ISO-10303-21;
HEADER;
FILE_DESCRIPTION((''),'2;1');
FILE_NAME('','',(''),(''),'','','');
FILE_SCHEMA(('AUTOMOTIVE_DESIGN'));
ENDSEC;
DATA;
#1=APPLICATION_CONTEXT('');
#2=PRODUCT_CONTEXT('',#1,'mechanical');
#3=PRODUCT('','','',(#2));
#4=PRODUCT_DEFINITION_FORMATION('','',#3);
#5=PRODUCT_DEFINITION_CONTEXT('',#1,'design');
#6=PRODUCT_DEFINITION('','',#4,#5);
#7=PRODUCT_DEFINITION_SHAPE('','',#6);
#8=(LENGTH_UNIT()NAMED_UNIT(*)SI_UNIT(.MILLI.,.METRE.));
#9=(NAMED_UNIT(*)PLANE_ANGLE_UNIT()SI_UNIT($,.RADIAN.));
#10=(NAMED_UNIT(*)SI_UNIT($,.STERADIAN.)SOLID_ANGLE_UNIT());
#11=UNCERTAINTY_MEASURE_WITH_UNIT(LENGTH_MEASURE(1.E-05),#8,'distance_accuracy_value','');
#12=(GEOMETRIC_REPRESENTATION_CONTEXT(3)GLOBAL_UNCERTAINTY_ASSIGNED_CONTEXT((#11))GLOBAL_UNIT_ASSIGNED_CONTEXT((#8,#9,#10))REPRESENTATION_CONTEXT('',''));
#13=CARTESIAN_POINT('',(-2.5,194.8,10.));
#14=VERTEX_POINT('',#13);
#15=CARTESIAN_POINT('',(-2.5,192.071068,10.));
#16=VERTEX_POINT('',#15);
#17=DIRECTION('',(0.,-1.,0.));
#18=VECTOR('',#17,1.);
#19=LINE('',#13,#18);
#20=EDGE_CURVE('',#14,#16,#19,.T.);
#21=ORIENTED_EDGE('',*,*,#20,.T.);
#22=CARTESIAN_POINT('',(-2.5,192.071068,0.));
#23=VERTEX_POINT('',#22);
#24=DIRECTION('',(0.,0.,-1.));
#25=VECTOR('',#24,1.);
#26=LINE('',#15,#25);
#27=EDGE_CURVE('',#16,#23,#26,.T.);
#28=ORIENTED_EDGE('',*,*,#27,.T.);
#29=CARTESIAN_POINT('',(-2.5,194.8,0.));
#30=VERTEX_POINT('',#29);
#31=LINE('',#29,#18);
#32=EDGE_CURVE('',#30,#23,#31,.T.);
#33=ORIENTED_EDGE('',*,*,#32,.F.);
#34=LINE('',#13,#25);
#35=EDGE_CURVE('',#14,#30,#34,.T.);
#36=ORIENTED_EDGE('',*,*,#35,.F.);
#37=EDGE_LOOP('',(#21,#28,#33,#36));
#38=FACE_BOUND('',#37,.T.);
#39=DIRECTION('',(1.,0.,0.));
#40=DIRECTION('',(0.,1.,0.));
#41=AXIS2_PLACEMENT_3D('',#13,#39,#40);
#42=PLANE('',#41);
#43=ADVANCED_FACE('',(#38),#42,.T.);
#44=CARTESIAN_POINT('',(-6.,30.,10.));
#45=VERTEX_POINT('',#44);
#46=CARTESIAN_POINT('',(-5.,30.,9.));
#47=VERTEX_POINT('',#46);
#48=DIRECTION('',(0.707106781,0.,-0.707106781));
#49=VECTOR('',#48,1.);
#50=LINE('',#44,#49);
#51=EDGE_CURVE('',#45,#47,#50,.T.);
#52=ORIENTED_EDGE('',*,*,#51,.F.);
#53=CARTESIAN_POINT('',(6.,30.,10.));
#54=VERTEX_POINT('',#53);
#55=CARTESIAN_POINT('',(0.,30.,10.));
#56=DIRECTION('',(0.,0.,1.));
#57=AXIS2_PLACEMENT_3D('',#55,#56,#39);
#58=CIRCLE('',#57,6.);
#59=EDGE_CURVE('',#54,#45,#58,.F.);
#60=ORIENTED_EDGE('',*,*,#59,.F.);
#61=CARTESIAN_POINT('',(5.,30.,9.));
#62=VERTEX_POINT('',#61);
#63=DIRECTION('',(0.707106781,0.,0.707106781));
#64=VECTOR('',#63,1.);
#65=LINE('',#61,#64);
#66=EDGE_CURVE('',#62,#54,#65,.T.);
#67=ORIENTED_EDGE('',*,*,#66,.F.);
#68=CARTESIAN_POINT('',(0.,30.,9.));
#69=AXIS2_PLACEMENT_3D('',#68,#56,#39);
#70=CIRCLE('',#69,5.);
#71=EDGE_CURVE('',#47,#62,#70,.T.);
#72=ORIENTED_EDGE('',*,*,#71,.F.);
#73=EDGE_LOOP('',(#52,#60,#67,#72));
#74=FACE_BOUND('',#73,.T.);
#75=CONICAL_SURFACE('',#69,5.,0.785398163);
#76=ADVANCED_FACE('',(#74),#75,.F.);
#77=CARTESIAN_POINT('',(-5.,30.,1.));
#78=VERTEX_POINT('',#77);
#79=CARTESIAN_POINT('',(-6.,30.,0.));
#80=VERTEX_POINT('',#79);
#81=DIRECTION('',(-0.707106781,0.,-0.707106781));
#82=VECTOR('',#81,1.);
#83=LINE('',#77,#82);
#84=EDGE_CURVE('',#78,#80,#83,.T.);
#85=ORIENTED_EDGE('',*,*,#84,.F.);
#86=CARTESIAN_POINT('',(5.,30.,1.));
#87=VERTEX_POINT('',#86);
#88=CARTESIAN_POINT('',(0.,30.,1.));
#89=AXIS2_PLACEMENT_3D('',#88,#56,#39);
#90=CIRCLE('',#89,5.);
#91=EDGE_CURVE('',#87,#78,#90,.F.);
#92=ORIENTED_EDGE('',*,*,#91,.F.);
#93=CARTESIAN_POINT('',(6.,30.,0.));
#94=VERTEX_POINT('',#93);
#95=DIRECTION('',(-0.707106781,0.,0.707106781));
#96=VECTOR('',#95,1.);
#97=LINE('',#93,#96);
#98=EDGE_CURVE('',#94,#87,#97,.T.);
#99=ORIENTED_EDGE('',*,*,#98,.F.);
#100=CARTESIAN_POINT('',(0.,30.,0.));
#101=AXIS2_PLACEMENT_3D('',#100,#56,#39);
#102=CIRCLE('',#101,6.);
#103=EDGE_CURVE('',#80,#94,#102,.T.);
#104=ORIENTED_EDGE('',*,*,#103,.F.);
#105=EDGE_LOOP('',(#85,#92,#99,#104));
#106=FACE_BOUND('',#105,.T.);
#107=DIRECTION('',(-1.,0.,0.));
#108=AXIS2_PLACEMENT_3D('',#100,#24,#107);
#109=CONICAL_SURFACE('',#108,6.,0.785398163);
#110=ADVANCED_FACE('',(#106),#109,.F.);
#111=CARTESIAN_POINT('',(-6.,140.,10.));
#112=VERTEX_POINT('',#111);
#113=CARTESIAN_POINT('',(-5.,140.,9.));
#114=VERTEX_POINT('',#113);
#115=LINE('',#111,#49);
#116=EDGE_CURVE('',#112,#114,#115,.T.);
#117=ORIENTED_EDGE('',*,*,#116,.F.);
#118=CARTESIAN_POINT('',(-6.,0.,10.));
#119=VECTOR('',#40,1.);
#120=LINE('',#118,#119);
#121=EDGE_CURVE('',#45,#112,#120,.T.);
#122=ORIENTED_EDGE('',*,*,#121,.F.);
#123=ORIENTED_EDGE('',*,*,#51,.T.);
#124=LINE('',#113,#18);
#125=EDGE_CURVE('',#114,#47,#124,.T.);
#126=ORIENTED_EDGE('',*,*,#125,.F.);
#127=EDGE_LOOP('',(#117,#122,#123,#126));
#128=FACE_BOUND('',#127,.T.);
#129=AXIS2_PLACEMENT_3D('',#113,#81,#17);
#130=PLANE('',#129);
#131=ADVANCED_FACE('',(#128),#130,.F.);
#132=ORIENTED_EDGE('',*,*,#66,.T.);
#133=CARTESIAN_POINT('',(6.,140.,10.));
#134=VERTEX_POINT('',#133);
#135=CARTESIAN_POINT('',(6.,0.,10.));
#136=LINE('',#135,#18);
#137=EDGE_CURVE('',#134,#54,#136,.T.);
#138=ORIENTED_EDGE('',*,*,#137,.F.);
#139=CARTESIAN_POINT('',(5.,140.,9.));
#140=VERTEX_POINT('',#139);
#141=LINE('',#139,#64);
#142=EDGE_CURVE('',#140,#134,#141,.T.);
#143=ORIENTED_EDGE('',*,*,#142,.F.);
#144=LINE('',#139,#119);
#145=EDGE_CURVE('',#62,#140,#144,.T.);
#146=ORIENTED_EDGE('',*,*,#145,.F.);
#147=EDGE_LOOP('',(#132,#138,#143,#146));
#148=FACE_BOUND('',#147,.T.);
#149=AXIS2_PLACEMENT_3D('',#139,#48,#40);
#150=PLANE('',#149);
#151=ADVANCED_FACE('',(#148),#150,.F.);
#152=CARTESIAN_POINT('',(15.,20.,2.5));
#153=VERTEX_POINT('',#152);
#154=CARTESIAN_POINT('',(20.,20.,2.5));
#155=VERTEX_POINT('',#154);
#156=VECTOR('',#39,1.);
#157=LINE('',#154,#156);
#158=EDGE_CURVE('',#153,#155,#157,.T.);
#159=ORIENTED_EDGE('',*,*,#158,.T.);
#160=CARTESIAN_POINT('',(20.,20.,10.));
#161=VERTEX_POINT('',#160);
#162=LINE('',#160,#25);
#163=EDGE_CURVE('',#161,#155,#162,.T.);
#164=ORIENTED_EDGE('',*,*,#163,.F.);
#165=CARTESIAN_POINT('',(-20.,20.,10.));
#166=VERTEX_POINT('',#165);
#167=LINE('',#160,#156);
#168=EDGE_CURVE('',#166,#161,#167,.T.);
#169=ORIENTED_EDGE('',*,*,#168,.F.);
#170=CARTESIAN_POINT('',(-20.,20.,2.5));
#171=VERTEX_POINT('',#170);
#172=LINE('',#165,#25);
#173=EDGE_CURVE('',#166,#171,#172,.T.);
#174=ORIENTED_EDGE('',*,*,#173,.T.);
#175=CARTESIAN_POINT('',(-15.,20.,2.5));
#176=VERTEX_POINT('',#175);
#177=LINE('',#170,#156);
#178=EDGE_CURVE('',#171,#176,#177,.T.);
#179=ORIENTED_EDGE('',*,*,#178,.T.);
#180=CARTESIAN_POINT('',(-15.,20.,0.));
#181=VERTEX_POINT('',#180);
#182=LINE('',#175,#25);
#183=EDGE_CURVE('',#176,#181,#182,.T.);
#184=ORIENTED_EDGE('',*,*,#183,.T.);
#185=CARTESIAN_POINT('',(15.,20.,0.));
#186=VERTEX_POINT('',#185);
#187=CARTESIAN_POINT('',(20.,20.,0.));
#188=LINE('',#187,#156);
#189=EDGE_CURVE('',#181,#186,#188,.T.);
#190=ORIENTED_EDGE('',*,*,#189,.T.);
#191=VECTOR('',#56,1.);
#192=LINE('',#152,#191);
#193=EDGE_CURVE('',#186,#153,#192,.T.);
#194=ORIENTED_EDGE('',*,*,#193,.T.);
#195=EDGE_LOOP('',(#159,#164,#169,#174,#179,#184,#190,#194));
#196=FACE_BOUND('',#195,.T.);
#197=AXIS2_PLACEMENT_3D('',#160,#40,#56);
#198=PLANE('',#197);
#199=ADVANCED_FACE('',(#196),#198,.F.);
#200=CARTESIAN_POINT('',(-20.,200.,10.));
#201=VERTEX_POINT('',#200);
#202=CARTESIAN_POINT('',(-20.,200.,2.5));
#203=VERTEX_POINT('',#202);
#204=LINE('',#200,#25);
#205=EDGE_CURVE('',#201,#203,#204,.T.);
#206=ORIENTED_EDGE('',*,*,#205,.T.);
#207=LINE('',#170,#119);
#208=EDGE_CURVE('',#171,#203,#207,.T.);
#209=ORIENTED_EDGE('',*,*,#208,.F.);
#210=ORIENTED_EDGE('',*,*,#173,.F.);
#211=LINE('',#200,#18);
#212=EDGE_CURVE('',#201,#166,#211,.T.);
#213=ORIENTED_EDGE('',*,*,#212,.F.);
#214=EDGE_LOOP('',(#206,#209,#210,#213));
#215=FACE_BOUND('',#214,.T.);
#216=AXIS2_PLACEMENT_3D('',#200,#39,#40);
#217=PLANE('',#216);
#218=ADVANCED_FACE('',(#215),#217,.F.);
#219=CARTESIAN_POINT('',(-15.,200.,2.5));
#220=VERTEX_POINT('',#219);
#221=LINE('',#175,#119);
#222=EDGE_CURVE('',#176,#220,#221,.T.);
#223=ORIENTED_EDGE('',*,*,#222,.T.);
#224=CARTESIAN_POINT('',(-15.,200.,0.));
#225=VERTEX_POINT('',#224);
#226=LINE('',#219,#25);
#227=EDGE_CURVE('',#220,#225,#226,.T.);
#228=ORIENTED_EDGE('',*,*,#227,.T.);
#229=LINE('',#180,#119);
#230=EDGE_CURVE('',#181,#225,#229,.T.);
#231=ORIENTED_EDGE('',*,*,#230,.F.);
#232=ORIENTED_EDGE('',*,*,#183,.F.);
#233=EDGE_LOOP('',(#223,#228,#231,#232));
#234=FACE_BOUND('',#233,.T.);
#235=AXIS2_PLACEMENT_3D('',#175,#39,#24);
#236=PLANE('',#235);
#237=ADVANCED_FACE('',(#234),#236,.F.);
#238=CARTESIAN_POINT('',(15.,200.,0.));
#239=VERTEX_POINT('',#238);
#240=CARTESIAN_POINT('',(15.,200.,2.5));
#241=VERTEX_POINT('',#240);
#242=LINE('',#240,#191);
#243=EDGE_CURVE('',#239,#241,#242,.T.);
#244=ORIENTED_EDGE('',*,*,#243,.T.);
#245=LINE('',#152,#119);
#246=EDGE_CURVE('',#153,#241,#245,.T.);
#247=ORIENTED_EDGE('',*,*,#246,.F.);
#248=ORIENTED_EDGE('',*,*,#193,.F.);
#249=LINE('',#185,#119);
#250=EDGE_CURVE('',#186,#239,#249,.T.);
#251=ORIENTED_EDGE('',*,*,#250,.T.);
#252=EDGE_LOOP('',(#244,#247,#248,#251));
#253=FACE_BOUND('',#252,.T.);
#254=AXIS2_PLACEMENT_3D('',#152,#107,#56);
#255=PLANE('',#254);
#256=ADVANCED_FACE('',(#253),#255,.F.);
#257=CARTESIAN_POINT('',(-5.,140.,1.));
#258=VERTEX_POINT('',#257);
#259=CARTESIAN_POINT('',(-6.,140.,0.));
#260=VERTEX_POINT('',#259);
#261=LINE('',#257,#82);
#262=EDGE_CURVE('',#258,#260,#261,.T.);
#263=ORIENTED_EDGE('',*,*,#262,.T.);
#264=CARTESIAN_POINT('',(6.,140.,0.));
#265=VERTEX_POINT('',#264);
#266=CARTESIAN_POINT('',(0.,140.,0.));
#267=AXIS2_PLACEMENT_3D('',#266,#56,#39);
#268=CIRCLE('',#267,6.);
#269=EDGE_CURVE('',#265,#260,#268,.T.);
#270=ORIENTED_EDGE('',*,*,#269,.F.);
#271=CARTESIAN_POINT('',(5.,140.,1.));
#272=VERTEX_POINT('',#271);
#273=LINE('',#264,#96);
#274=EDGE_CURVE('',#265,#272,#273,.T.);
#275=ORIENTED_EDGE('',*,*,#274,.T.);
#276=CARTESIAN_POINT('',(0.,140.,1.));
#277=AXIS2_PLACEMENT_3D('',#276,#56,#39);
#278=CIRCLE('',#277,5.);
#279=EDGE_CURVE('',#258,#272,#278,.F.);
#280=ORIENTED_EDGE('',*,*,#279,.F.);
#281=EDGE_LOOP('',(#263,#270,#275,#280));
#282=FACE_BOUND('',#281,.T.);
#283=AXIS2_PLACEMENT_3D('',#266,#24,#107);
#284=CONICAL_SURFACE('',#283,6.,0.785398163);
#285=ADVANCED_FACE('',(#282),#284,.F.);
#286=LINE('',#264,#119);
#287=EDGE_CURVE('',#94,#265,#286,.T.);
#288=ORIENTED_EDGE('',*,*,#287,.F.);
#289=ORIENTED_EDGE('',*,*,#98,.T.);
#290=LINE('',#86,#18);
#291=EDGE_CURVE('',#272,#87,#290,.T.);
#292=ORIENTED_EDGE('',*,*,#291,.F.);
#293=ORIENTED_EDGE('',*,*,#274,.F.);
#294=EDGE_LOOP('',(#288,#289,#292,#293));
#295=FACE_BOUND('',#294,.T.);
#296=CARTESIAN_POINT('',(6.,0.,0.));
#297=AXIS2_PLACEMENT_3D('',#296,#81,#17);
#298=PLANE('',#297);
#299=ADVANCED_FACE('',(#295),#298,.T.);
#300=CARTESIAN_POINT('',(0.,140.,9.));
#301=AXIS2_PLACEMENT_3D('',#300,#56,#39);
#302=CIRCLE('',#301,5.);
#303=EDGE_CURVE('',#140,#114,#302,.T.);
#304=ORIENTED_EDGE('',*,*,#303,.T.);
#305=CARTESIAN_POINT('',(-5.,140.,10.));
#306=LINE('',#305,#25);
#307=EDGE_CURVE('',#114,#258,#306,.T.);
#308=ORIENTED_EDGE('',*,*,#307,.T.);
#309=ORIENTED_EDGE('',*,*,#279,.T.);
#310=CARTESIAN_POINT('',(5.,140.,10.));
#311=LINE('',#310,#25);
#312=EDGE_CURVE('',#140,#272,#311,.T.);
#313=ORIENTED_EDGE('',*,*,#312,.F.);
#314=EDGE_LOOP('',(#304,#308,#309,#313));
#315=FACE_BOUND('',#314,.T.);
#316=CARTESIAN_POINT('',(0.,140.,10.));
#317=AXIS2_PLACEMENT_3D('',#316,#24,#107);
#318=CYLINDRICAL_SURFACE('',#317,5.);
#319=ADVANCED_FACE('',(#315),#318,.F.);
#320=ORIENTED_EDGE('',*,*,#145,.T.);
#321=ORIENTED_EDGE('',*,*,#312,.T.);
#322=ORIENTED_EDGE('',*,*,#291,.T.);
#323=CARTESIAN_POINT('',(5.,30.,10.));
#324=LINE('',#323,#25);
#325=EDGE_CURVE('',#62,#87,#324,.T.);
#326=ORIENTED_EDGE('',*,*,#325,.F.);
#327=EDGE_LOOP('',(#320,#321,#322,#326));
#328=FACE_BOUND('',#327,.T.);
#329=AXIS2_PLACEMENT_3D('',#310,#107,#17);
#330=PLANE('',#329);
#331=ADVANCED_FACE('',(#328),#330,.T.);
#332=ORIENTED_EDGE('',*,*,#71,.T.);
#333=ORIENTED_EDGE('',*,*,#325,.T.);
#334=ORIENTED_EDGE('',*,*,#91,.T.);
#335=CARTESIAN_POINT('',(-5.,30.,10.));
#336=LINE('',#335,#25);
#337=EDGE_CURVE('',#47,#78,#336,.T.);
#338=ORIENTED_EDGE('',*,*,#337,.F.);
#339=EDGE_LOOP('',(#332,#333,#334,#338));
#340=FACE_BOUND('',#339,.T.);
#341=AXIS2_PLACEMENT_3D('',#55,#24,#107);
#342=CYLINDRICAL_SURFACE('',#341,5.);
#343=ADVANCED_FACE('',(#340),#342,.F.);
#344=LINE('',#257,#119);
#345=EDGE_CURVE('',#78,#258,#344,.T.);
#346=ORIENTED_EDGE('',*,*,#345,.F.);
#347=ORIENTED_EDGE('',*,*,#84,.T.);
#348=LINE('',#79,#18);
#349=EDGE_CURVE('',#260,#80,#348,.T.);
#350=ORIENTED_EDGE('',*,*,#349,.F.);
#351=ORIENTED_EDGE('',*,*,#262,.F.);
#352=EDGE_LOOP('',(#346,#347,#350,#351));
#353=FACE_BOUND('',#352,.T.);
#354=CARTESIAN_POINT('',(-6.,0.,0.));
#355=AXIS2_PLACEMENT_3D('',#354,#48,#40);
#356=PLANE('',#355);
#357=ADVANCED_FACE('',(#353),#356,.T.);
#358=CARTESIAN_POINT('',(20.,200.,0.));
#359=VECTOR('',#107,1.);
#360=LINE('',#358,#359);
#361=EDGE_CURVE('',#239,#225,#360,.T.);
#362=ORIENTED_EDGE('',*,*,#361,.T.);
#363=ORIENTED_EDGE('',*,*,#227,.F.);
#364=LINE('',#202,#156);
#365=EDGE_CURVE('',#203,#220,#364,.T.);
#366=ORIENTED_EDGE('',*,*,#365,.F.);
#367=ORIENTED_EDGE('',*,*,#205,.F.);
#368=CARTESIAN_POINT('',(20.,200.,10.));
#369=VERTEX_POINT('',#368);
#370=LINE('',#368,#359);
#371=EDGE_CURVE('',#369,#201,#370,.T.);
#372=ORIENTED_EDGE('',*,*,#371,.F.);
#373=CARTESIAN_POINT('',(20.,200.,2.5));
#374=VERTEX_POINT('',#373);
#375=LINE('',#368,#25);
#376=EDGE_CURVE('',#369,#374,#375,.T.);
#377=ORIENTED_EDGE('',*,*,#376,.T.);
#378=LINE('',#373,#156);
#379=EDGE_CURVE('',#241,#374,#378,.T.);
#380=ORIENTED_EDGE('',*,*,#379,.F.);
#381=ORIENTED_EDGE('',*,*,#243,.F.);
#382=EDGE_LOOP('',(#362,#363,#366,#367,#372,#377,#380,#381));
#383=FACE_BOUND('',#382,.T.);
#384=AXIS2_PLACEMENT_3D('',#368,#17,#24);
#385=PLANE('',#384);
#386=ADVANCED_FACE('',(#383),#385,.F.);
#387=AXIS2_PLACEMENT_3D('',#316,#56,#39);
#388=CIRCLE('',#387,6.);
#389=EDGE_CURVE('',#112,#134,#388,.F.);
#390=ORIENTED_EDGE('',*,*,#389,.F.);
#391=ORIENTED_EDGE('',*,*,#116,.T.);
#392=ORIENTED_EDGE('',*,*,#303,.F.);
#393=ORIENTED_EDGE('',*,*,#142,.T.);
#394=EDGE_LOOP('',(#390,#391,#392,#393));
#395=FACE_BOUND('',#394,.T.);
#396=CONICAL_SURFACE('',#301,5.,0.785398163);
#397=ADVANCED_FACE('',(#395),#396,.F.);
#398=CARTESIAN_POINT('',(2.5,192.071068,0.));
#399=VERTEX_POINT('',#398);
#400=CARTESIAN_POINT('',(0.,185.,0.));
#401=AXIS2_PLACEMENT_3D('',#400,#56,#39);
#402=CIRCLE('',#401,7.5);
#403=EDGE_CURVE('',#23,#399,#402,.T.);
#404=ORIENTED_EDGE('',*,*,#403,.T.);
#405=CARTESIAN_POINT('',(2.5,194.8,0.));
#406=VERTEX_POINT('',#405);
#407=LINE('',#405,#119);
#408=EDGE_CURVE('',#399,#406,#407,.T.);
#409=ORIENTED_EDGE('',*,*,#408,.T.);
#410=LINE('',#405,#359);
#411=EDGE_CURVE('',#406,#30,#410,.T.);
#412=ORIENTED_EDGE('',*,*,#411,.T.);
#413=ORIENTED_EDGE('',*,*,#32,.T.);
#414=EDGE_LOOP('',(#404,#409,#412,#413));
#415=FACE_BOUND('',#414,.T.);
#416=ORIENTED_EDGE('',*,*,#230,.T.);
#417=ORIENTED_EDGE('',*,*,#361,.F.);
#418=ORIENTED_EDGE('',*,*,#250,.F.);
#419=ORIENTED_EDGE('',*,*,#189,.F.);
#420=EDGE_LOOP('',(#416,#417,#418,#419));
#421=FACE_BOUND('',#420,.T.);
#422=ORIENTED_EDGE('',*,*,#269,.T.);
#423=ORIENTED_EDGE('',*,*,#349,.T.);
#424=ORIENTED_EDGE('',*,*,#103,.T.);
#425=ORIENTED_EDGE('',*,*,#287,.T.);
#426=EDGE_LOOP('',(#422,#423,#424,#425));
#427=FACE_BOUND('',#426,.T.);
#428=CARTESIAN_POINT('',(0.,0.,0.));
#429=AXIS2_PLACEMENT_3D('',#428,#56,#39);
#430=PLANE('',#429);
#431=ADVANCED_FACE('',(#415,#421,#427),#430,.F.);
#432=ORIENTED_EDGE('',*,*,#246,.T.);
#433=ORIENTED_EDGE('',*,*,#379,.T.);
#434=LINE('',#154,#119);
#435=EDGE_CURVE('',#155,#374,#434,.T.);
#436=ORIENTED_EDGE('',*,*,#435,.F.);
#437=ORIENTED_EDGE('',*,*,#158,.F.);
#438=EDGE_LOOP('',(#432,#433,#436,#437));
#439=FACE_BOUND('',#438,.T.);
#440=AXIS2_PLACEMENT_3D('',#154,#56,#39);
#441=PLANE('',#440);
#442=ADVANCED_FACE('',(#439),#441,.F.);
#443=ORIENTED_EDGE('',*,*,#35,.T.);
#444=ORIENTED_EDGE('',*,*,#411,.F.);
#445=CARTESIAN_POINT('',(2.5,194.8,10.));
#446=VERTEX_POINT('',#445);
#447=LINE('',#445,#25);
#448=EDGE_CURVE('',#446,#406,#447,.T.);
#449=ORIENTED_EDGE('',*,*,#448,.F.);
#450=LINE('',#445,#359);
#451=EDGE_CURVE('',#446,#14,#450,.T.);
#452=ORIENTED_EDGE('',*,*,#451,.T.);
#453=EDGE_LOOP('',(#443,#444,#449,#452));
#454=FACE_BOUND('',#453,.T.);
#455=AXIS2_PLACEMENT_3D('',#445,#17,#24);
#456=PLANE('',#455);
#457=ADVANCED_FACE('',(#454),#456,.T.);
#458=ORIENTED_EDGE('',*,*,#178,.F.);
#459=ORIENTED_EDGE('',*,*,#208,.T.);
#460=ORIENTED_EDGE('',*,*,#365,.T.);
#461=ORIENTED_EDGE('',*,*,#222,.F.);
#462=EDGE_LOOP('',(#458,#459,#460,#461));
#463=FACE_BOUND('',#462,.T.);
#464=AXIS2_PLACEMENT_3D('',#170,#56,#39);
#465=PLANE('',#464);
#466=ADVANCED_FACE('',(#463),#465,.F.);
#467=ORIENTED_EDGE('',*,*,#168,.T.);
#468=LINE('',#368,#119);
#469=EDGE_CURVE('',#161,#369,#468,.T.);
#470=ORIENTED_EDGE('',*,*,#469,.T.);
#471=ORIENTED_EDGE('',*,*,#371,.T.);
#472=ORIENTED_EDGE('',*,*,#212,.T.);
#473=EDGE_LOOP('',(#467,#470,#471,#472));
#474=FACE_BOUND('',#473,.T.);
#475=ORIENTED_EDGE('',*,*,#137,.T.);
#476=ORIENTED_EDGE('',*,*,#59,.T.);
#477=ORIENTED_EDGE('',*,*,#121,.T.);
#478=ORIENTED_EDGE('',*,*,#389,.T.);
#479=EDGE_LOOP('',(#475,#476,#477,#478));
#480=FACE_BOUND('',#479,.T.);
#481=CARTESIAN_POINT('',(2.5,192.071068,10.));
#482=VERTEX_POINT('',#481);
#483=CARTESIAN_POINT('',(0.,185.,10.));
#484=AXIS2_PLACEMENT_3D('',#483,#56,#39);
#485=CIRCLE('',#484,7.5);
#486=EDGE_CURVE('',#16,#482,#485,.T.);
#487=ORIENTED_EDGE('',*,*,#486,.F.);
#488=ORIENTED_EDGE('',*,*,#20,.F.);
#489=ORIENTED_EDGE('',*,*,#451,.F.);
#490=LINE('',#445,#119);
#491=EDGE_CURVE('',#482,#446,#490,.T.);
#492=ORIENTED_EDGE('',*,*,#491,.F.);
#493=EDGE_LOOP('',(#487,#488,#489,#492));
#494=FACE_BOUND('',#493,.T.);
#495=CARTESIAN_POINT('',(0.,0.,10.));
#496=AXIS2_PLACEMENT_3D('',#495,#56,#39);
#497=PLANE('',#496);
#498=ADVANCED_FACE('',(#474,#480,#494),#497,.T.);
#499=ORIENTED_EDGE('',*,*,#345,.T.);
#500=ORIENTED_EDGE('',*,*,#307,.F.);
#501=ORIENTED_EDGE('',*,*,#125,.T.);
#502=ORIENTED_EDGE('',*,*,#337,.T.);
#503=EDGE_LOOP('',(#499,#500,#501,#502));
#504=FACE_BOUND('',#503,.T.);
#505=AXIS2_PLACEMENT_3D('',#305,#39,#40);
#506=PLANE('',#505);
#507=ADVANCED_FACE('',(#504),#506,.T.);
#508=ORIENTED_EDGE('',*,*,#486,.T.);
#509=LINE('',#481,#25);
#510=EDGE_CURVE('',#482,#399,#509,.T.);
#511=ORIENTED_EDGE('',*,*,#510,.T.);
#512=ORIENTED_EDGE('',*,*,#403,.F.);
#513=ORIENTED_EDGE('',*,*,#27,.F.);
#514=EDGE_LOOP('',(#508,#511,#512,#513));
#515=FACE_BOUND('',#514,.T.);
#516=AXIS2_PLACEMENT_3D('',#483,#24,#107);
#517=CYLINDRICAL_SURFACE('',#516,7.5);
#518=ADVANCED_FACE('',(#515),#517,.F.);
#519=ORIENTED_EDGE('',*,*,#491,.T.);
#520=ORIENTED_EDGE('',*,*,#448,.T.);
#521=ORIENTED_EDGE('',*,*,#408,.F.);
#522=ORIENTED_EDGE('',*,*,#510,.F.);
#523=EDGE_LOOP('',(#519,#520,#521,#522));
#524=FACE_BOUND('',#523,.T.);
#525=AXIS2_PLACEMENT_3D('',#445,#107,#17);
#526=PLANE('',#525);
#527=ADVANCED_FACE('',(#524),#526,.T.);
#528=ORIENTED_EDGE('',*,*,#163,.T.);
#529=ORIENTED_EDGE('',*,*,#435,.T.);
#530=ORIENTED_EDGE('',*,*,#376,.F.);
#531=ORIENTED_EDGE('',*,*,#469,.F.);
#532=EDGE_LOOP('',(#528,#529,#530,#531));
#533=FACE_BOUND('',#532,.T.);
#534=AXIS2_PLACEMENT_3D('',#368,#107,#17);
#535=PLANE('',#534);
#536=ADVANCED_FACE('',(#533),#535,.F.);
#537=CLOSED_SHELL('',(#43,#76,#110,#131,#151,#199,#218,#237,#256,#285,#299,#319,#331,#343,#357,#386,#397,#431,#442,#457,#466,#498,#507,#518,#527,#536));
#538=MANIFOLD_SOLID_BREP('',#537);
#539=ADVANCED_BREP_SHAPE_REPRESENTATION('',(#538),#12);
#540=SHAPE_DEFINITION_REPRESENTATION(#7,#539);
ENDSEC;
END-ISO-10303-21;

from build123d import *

# Parameters (mm, degrees)
SZKIC1_W                    = 40
SZKIC1_H                    = 180
DODANIE_WYCI_GNI_CIE1_DEPTH = 10
SZKIC2_W                    = 5
SZKIC2_H                    = 2.5
WYTNIJ_WYCI_GNI_CIE1_DEPTH  = 182.383571472
SFAZOWANIE1_SIZE            = 1


with BuildPart() as part:
    # Szkic1 → Dodanie-wyciągnięcie1 (new body)
    with BuildSketch(Plane.XY):
        with Locations((0, 110)):
            Rectangle(SZKIC1_W, SZKIC1_H)
        with BuildLine():
            Line((2.5, 194.8), (-2.5, 194.8))
            Line((-2.5, 194.8), (-2.5, 192.071067812))
            ThreePointArc((-2.5, 192.071067812), (0, 177.5), (2.5, 192.071067812))
            Line((2.5, 192.071067812), (2.5, 194.8))
        make_face(mode=Mode.SUBTRACT)
        with BuildLine():
            Line((5, 140), (5, 30))
            ThreePointArc((5, 30), (0, 25), (-5, 30))
            Line((-5, 30), (-5, 140))
            ThreePointArc((-5, 140), (0, 145), (5, 140))
        make_face(mode=Mode.SUBTRACT)
    extrude(amount=DODANIE_WYCI_GNI_CIE1_DEPTH)

    # Szkic2 → Wytnij-wyciągnięcie1 (cut, through all)
    with BuildSketch(Plane(origin=(0, 200, 0), x_dir=(1, 0, 0), z_dir=(0, 1, 0))):
        with Locations((-17.5, -1.25)):
            Rectangle(SZKIC2_W, SZKIC2_H)
        with Locations((17.5, -1.25)):
            Rectangle(SZKIC2_W, SZKIC2_H)
    extrude(amount=-WYTNIJ_WYCI_GNI_CIE1_DEPTH, mode=Mode.SUBTRACT)

    # Sfazowanie1
    sfazowanie1_edges = [part.edges().sort_by_distance(p)[0] for p in [
        (0, 145, 0),
        (-5, 85, 0),
        (0, 25, 0),
        (5, 85, 0),
        (0, 145, 10),
        (-5, 85, 10),
        (0, 25, 10),
        (5, 85, 10),
    ]]
    chamfer(sfazowanie1_edges, length=SFAZOWANIE1_SIZE)


solid = part.part
